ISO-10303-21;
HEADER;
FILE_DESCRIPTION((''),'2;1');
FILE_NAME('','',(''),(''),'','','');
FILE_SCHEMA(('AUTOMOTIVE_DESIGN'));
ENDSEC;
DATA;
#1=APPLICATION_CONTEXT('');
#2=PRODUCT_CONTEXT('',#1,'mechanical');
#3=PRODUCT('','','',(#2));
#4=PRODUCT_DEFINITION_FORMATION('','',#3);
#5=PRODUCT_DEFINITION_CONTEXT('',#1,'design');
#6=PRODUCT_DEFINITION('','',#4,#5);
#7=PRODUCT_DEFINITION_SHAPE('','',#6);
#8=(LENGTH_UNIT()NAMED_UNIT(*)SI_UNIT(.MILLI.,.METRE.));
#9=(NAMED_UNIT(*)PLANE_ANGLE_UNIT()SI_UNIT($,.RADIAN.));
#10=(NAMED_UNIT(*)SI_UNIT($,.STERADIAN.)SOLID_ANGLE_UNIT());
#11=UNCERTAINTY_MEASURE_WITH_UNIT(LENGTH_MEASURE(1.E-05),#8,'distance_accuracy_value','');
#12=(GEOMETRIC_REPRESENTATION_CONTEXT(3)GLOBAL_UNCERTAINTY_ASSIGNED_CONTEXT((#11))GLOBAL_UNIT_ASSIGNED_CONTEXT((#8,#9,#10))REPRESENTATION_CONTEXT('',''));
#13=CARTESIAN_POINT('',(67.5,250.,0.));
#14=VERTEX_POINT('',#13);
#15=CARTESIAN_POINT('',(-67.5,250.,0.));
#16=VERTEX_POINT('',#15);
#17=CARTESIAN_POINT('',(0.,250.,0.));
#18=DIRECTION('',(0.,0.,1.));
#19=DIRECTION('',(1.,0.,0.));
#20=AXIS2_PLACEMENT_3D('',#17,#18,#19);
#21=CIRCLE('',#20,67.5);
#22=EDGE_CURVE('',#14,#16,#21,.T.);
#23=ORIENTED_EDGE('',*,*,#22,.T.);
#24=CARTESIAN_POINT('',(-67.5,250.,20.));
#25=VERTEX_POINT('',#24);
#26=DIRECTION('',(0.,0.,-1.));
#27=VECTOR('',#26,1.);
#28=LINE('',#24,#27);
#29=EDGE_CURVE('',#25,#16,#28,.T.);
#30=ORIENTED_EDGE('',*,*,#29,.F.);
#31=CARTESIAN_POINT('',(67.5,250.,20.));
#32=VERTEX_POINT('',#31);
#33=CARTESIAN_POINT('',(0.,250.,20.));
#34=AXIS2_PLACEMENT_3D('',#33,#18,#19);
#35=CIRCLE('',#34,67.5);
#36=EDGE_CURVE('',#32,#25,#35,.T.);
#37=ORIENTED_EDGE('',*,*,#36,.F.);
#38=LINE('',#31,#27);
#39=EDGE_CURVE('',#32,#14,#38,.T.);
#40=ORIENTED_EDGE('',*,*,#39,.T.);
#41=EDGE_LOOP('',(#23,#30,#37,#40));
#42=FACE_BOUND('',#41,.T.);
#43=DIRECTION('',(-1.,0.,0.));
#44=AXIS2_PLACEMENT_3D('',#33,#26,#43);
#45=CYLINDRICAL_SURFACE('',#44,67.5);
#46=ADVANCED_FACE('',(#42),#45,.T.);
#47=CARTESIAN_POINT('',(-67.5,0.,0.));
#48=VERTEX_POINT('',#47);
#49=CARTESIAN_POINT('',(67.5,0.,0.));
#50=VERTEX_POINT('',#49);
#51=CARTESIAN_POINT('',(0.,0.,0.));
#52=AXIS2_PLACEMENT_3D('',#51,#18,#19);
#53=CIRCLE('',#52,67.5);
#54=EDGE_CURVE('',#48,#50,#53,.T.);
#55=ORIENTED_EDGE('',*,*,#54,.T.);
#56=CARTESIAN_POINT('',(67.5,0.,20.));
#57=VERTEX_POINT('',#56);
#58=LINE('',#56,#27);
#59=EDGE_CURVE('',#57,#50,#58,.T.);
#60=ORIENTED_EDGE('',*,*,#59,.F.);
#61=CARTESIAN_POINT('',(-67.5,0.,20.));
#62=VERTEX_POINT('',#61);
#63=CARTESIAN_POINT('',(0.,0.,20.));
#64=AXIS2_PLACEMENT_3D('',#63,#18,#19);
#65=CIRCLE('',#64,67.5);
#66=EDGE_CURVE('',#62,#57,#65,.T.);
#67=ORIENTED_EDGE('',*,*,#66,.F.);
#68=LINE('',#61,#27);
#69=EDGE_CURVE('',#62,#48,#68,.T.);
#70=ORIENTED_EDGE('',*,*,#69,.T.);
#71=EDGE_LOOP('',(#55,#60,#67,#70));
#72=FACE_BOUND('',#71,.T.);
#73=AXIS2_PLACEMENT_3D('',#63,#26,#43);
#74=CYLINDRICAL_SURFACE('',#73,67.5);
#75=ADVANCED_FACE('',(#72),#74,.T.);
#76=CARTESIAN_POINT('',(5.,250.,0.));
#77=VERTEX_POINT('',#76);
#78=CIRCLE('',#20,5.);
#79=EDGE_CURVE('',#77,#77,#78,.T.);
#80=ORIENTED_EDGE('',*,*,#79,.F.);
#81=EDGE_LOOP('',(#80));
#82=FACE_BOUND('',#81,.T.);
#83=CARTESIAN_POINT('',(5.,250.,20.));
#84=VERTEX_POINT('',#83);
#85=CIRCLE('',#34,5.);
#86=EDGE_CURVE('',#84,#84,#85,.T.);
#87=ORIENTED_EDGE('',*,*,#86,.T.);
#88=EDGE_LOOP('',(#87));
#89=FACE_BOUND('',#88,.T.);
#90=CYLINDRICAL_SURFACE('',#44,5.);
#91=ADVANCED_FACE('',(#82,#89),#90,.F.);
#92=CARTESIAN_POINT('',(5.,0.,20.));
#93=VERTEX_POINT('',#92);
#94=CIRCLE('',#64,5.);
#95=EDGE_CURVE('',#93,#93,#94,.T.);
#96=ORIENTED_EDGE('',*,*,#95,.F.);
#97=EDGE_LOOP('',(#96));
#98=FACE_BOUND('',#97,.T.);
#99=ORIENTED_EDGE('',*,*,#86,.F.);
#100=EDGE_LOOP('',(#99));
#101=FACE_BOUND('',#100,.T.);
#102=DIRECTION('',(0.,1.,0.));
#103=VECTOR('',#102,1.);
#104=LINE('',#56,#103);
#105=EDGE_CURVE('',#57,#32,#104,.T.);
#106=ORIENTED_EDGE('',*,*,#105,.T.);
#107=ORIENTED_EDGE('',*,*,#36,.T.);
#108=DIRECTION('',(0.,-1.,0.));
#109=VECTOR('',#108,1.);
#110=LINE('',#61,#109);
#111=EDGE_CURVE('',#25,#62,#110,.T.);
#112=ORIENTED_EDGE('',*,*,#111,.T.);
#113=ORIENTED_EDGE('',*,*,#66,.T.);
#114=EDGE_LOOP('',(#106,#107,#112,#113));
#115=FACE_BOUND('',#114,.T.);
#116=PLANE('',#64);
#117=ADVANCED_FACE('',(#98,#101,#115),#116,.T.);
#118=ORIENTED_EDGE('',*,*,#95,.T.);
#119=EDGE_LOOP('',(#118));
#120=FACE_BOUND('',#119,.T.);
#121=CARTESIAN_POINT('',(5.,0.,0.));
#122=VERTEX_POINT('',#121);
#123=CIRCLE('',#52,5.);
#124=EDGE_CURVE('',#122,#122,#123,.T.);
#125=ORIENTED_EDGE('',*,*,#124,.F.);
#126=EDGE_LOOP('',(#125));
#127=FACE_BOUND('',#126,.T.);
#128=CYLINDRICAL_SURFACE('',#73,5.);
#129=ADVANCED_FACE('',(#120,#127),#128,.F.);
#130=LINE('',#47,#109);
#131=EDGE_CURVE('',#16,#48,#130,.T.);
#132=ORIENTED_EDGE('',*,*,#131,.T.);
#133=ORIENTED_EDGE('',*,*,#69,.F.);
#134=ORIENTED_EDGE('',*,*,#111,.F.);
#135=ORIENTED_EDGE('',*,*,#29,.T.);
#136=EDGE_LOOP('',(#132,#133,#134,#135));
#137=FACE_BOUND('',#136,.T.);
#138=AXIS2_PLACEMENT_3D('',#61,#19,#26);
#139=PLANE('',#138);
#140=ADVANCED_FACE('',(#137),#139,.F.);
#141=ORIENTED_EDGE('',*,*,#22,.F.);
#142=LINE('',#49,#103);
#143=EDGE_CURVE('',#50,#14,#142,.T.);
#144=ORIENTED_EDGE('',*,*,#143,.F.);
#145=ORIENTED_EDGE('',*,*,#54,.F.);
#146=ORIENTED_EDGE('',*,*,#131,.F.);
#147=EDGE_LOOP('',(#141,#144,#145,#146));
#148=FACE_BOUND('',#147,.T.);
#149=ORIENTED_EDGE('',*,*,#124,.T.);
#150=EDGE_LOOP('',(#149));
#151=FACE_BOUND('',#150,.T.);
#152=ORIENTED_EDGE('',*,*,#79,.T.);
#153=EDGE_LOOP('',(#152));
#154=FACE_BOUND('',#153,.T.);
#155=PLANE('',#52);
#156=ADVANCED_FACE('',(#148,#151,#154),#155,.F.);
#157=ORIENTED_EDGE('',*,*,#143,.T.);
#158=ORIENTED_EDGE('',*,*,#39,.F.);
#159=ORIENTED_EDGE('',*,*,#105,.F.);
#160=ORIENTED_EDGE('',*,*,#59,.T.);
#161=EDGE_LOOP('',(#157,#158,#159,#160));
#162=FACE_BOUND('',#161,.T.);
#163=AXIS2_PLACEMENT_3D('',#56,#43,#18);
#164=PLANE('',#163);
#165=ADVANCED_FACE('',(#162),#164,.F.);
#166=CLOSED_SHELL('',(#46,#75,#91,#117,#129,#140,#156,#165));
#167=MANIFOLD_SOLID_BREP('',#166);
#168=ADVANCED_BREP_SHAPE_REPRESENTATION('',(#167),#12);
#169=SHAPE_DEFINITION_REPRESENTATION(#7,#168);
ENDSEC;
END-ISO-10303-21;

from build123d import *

# Parameters (mm, degrees)
SKETCH1_R           = 5
BOSS_EXTRUDE1_DEPTH = 20


with BuildPart() as part:
    # Sketch1 → Boss-Extrude1 (new body)
    with BuildSketch(Plane.XY):
        with BuildLine():
            Line((-67.5, 0), (-67.5, 250))
            ThreePointArc((-67.5, 250), (0, 317.5), (67.5, 250))
            Line((67.5, 250), (67.5, 0))
            ThreePointArc((67.5, 0), (0, -67.5), (-67.5, 0))
        make_face()
        with Locations((0, 250)):
            Circle(SKETCH1_R, mode=Mode.SUBTRACT)
        Circle(SKETCH1_R, mode=Mode.SUBTRACT)
    extrude(amount=BOSS_EXTRUDE1_DEPTH)


solid = part.part
